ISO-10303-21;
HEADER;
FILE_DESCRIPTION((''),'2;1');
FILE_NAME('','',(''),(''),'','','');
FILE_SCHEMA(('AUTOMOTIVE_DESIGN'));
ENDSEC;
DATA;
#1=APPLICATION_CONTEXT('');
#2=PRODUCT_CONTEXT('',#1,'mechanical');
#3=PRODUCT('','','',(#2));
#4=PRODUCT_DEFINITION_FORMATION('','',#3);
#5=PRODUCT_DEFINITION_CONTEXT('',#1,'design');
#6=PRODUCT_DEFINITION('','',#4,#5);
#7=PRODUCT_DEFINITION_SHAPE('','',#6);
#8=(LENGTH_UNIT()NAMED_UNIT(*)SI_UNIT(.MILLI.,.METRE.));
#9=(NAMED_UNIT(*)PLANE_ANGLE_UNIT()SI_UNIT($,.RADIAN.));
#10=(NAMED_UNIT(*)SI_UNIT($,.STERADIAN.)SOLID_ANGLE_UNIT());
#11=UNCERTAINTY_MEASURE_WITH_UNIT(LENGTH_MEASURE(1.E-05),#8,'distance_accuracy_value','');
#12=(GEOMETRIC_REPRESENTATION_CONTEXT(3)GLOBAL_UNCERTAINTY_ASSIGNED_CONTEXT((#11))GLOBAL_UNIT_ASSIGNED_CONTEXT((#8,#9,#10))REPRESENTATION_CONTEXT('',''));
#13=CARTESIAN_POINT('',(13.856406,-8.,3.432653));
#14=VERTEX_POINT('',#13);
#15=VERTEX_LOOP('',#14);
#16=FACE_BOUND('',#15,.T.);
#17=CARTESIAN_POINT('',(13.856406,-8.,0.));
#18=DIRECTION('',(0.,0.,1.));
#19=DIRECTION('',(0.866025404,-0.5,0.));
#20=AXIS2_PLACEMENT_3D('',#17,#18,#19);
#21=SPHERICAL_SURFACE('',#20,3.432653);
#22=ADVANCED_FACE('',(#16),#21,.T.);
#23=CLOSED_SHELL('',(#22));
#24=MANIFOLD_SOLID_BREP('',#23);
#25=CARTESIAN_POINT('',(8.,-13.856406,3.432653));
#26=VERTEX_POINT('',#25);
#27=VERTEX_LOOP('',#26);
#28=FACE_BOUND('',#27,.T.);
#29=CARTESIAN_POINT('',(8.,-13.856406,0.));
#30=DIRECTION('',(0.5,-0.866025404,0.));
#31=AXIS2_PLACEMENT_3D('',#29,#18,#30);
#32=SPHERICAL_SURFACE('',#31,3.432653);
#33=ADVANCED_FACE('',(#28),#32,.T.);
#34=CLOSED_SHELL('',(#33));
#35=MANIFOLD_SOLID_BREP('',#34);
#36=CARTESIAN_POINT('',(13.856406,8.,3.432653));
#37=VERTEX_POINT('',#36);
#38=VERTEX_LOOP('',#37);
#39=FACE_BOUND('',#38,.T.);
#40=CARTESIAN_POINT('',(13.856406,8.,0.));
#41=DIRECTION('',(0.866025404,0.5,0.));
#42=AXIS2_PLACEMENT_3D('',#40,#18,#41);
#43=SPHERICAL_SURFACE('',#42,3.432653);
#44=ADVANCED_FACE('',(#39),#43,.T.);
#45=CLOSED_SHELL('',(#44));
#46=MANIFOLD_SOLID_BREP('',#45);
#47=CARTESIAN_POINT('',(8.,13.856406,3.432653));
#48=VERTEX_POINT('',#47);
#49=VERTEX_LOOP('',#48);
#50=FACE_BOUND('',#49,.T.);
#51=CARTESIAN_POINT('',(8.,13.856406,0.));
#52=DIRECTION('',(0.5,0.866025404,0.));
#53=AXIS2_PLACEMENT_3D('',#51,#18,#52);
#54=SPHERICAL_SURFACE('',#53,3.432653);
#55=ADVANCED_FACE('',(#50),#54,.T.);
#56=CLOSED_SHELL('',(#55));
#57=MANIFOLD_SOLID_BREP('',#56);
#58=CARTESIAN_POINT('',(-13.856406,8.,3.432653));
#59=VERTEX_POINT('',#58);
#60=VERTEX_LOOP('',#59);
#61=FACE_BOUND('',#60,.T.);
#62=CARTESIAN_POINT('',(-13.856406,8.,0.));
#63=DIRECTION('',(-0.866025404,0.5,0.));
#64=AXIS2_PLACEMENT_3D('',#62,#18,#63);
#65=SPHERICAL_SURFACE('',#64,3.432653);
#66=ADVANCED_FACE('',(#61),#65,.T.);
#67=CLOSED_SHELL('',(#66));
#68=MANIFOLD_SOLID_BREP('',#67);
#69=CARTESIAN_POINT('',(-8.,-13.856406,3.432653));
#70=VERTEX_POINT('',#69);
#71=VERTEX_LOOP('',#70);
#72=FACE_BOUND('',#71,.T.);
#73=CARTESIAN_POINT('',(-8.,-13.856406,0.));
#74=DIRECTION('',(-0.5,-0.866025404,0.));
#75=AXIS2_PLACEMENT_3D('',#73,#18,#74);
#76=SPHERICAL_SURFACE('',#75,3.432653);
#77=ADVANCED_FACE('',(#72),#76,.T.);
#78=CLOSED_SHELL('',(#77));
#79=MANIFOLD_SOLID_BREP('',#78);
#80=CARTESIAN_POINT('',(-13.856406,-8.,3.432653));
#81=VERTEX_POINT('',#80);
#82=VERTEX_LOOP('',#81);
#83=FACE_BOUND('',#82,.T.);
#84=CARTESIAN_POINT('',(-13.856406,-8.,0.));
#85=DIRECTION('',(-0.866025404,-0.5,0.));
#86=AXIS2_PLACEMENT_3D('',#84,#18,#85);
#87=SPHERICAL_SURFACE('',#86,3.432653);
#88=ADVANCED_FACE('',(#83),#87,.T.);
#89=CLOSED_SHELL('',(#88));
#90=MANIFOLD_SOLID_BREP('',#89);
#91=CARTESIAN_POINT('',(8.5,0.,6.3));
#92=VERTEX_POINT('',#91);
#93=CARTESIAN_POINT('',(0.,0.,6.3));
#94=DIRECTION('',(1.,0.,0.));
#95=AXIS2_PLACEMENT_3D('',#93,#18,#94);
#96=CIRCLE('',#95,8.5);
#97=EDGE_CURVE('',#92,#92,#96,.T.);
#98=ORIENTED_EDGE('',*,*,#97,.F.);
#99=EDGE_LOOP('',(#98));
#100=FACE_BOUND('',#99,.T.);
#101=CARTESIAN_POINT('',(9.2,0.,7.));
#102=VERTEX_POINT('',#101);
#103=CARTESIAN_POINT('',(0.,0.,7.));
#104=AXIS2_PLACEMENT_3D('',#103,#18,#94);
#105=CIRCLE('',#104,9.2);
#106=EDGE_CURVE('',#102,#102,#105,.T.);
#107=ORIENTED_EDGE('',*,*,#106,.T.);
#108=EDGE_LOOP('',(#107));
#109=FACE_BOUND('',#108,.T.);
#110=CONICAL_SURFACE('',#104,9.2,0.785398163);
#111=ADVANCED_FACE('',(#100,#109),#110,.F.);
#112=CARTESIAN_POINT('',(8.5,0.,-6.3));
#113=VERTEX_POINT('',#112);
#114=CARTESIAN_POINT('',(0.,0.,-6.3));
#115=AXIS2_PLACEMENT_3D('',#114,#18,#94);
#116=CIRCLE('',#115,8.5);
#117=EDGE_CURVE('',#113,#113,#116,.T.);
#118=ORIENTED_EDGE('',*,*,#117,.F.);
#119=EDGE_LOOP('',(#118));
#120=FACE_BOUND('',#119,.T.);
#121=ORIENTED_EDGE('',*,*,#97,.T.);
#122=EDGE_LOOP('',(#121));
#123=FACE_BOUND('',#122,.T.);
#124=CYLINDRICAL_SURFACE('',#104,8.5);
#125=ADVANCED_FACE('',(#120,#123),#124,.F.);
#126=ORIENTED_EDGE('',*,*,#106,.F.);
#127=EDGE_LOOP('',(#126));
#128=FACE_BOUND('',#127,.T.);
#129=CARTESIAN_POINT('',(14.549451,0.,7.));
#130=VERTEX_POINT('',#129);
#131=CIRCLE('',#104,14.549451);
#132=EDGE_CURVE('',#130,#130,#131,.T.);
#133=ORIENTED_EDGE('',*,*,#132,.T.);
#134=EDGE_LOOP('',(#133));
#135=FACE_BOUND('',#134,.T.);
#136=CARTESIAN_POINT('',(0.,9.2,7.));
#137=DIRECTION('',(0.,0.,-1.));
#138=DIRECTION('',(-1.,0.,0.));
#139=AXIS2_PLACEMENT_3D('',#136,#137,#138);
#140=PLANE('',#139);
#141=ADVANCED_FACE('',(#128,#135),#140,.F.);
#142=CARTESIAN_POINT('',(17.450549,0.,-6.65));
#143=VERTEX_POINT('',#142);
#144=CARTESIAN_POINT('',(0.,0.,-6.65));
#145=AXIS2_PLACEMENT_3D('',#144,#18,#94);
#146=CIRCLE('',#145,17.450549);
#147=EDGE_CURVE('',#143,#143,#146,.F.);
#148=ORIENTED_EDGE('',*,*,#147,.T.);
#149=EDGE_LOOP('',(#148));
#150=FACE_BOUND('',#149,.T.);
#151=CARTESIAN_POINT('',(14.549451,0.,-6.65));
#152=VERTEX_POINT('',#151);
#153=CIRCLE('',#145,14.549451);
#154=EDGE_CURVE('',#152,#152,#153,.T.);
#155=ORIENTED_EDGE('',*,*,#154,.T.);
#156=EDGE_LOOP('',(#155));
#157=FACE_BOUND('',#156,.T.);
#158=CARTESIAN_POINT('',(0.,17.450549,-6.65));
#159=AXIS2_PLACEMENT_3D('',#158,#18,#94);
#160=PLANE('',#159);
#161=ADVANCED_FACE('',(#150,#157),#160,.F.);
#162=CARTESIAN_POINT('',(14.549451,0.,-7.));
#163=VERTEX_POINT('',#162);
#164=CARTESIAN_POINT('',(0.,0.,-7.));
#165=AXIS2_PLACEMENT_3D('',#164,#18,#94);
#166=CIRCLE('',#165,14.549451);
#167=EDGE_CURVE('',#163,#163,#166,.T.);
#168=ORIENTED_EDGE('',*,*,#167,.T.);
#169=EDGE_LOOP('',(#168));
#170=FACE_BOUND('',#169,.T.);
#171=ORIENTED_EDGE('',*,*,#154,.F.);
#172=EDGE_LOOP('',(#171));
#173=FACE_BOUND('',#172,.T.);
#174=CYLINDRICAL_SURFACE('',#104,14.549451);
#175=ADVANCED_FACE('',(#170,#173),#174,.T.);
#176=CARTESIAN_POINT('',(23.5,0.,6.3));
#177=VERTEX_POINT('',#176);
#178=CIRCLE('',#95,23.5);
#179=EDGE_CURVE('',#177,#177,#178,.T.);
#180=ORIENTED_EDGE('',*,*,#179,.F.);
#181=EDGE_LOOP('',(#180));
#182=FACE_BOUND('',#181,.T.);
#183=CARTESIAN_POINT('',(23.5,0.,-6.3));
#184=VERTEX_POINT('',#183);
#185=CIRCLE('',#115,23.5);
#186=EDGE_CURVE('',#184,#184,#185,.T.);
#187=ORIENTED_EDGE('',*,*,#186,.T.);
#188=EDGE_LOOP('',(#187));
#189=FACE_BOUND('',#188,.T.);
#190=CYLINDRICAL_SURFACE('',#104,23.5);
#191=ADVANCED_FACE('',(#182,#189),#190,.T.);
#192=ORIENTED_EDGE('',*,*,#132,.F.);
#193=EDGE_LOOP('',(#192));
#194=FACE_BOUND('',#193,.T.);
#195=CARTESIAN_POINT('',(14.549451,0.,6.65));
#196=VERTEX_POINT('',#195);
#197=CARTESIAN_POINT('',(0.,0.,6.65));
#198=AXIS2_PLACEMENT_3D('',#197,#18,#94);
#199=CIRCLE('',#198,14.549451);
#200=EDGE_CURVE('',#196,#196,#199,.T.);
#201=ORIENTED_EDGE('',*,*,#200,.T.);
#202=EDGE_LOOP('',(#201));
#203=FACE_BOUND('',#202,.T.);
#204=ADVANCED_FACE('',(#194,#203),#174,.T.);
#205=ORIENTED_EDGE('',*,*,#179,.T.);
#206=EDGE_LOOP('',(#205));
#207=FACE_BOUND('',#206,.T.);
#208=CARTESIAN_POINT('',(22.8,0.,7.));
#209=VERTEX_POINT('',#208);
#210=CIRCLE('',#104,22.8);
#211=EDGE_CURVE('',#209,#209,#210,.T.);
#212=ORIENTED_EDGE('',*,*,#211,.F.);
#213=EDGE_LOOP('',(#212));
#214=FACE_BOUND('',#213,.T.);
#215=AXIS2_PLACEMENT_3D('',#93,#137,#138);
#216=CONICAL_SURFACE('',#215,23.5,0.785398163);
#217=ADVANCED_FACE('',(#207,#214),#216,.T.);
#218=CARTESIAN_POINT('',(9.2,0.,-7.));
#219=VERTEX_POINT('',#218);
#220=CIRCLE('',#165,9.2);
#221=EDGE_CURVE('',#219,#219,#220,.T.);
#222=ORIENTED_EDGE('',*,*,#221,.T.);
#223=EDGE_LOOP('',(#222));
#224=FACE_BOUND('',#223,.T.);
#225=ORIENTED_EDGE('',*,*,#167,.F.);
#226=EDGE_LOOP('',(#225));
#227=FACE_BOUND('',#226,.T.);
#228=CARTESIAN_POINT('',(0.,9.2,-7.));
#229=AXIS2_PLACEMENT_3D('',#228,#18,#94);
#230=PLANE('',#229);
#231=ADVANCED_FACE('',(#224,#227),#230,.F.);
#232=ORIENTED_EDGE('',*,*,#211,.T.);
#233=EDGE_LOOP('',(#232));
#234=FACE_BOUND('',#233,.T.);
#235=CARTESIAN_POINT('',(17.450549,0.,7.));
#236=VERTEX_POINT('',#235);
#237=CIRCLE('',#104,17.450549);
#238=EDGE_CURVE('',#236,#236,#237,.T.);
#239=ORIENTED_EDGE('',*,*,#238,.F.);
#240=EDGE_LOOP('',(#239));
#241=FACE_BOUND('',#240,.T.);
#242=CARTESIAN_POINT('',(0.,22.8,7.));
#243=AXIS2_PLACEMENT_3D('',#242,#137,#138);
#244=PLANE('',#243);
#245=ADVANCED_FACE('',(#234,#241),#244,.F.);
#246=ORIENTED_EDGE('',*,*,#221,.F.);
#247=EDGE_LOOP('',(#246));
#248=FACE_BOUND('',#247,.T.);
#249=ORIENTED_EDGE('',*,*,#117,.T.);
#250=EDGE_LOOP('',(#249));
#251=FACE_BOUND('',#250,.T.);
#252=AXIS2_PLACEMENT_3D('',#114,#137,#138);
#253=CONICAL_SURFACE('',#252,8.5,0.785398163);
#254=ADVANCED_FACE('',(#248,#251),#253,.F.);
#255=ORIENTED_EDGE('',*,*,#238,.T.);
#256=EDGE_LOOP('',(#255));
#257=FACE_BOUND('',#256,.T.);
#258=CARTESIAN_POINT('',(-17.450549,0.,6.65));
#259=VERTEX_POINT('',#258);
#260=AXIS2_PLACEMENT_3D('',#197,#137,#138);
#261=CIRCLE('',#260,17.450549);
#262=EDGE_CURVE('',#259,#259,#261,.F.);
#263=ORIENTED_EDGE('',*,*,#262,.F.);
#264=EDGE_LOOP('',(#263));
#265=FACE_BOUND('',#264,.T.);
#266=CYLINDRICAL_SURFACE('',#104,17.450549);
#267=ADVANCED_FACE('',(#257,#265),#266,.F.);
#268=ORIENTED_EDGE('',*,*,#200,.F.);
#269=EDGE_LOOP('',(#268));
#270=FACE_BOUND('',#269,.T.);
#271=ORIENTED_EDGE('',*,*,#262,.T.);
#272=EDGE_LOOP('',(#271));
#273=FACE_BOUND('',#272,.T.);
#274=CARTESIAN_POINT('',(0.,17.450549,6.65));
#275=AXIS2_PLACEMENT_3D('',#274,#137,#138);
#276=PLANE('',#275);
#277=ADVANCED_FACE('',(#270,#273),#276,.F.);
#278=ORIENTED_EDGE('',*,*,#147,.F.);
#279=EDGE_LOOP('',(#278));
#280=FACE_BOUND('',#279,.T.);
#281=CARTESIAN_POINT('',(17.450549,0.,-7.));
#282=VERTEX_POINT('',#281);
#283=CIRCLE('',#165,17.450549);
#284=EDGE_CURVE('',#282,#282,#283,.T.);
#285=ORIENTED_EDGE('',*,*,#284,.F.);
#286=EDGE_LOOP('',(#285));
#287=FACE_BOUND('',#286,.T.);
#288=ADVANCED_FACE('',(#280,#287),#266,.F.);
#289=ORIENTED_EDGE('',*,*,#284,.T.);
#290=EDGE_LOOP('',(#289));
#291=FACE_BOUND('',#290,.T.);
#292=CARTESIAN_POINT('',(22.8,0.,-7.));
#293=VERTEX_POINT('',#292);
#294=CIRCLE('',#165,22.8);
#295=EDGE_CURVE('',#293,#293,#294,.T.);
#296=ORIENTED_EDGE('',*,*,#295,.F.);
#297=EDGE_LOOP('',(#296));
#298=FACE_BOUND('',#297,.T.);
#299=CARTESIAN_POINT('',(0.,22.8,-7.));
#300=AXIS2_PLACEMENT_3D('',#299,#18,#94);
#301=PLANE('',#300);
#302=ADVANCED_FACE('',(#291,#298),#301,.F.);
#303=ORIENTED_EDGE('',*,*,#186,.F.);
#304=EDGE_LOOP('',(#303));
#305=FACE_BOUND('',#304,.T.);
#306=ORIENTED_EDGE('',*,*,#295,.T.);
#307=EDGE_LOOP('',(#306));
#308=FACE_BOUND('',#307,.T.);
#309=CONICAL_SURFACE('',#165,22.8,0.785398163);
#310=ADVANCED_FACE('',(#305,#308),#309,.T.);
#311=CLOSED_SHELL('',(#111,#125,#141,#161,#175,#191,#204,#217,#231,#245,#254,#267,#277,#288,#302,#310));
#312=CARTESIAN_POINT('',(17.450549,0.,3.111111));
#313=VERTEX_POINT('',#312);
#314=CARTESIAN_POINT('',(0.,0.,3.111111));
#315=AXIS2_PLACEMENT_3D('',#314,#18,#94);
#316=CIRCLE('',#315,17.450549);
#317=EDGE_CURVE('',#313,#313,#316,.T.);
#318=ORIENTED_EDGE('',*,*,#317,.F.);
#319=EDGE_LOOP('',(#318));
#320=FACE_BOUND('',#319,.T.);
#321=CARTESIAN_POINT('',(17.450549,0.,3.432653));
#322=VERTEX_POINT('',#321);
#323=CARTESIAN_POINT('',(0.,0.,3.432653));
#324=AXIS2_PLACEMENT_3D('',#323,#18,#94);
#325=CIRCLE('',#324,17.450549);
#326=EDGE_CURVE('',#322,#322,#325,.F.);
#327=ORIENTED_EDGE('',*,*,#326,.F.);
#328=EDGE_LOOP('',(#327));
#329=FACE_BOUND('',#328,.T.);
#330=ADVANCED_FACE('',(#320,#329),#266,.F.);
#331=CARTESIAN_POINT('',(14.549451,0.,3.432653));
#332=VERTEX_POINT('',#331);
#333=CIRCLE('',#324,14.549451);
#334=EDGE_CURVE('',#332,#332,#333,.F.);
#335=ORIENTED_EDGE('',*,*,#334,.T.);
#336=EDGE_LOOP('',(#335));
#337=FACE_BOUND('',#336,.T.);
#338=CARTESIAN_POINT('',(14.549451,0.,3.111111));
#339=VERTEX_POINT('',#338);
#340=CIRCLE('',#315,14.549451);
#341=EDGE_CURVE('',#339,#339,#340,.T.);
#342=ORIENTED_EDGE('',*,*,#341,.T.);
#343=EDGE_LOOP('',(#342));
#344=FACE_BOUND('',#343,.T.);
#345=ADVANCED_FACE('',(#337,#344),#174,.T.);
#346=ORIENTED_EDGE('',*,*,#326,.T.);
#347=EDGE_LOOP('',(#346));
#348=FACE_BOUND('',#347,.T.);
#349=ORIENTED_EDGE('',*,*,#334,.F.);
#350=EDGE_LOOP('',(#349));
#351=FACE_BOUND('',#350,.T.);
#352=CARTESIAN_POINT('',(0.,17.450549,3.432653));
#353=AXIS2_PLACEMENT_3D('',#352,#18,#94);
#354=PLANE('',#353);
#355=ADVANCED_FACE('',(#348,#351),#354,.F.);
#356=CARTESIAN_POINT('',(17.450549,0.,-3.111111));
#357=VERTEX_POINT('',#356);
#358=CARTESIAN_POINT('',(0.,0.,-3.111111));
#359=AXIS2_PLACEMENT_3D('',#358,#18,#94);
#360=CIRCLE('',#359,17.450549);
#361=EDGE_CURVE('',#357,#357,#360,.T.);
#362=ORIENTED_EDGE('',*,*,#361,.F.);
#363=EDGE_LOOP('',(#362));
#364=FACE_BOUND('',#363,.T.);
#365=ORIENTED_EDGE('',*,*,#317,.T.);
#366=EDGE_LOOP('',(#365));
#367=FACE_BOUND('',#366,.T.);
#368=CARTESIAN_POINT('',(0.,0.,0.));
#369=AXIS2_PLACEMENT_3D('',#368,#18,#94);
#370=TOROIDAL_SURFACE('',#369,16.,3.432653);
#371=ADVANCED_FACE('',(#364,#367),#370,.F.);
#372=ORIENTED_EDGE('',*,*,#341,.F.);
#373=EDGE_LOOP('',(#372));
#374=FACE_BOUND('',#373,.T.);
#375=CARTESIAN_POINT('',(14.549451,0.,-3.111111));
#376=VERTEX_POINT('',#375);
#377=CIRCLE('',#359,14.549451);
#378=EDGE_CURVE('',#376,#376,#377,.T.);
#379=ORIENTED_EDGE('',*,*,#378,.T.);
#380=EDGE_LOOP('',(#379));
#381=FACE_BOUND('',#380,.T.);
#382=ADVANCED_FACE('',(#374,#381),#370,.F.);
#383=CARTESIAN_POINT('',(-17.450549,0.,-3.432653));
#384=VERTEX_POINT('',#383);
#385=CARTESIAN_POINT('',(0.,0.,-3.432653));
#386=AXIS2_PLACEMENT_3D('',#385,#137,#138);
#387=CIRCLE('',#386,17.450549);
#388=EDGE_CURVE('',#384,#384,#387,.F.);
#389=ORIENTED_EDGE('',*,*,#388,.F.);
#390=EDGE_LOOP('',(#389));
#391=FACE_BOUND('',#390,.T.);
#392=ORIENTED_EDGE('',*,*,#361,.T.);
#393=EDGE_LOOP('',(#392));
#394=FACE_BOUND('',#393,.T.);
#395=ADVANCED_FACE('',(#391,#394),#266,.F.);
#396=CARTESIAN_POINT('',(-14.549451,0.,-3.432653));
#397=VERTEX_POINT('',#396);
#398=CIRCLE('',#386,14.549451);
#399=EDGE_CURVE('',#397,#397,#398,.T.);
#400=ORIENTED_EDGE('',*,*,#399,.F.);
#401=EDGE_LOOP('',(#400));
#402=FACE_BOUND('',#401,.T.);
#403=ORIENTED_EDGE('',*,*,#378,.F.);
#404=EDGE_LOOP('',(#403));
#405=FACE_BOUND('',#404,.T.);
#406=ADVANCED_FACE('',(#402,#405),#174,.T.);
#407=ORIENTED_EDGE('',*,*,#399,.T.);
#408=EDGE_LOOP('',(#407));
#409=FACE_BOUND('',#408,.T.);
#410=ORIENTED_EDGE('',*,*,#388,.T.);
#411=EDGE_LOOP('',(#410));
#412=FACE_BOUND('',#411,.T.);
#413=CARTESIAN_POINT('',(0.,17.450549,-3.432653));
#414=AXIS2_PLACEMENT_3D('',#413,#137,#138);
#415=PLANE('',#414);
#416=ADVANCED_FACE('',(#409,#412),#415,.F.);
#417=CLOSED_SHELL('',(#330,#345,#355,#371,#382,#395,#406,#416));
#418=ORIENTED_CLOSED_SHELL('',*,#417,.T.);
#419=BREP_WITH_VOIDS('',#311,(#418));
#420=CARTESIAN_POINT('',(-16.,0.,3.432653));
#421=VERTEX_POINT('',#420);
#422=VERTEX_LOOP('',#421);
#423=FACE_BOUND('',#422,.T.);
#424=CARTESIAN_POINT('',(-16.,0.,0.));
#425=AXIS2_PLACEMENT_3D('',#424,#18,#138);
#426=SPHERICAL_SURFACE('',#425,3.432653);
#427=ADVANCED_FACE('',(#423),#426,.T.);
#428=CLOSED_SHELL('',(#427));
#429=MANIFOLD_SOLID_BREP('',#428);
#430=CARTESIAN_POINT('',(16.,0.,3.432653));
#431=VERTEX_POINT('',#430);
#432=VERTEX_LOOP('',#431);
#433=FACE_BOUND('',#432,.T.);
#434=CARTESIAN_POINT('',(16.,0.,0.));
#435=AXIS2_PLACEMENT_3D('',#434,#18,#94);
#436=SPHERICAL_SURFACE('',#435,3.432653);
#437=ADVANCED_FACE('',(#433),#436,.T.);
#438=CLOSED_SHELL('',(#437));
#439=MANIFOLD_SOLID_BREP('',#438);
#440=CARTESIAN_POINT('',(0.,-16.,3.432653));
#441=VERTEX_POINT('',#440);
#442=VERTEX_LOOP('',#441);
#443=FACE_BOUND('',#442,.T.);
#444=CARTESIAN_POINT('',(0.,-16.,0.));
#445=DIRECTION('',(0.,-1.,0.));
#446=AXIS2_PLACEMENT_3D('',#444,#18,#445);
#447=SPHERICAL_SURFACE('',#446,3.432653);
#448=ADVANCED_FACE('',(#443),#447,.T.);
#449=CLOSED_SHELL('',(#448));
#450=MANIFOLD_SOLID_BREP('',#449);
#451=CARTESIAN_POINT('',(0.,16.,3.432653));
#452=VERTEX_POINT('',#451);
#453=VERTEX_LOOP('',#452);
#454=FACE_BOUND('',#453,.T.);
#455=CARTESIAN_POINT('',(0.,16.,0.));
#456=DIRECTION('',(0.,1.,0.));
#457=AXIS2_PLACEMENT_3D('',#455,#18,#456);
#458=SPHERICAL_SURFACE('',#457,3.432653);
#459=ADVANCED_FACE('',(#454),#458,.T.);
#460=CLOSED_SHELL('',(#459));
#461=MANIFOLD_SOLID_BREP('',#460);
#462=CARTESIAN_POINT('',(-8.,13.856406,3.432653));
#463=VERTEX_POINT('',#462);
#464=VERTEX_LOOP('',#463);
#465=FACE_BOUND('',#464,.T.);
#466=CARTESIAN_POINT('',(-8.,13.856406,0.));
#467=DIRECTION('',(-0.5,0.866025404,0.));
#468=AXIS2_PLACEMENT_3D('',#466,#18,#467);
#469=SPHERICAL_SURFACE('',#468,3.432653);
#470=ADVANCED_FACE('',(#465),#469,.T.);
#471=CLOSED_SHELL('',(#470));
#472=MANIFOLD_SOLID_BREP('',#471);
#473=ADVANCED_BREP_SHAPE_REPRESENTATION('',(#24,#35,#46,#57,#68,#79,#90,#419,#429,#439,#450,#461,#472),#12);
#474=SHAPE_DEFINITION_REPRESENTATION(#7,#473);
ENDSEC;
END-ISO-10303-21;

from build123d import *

# Parameters (mm, degrees)
CIRPATTERN1_COUNT = 12
SKETCH5_W         = 3.217347082
SKETCH5_H         = 2.901098902


with BuildPart() as part:
    # Sketch6 → Revolve1 (revolve)
    with BuildSketch(Plane(origin=(0, 0, 0), x_dir=(0, 0, -1), z_dir=(1, 0, 0))):
        with BuildLine():
            Line((-7, 22.8), (-7, 17.450549451))
            Line((-7, 17.450549451), (-3.111111111, 17.450549451))
            ThreePointArc((-3.111111111, 17.450549451), (0, 19.432652918), (3.111111111, 17.450549451))
            Line((3.111111111, 17.450549451), (7, 17.450549451))
            Line((7, 17.450549451), (7, 22.8))
            Line((7, 22.8), (6.3, 23.5))
            Line((6.3, 23.5), (-6.3, 23.5))
            Line((-6.3, 23.5), (-7, 22.8))
        make_face()
        with BuildLine():
            Line((-7, 9.2), (-7, 14.549450549))
            Line((-7, 14.549450549), (-3.111111111, 14.549450549))
            ThreePointArc((-3.111111111, 14.549450549), (0, 12.567347082), (3.111111111, 14.549450549))
            Line((3.111111111, 14.549450549), (7, 14.549450549))
            Line((7, 14.549450549), (7, 9.2))
            Line((7, 9.2), (6.3, 8.5))
            Line((6.3, 8.5), (-6.3, 8.5))
            Line((-6.3, 8.5), (-7, 9.2))
        make_face()
    revolve(axis=Axis((0, 0, 7), (0, 0, -1)))


with BuildPart() as body_2:
    # Sketch4 → Revolve2 (revolve)
    with BuildSketch(Plane(origin=(0, 0, 0), x_dir=(0, 0, -1), z_dir=(1, 0, 0))):
        with BuildLine():
            Line((-3.432652918, 16), (3.432652918, 16))
            ThreePointArc((3.432652918, 16), (0, 19.432652918), (-3.432652918, 16))
        make_face()
    revolve(axis=Axis((0, 16, 3.432652918), (0, 0, -1)))


with BuildPart() as cirpattern1_1:
    # CirPattern1: pattern copy
    add(body_2.part.rotate(Axis((0, 0, -7), (0, 0, 1)), 1 * 360 / CIRPATTERN1_COUNT))


with BuildPart() as cirpattern1_2:
    # CirPattern1: pattern copy
    add(body_2.part.rotate(Axis((0, 0, -7), (0, 0, 1)), 2 * 360 / CIRPATTERN1_COUNT))


with BuildPart() as cirpattern1_3:
    # CirPattern1: pattern copy
    add(body_2.part.rotate(Axis((0, 0, -7), (0, 0, 1)), 3 * 360 / CIRPATTERN1_COUNT))


with BuildPart() as cirpattern1_4:
    # CirPattern1: pattern copy
    add(body_2.part.rotate(Axis((0, 0, -7), (0, 0, 1)), 4 * 360 / CIRPATTERN1_COUNT))


with BuildPart() as cirpattern1_5:
    # CirPattern1: pattern copy
    add(body_2.part.rotate(Axis((0, 0, -7), (0, 0, 1)), 5 * 360 / CIRPATTERN1_COUNT))


with BuildPart() as cirpattern1_6:
    # CirPattern1: pattern copy
    add(body_2.part.rotate(Axis((0, 0, -7), (0, 0, 1)), 6 * 360 / CIRPATTERN1_COUNT))


with BuildPart() as cirpattern1_7:
    # CirPattern1: pattern copy
    add(body_2.part.rotate(Axis((0, 0, -7), (0, 0, 1)), 7 * 360 / CIRPATTERN1_COUNT))


with BuildPart() as cirpattern1_8:
    # CirPattern1: pattern copy
    add(body_2.part.rotate(Axis((0, 0, -7), (0, 0, 1)), 8 * 360 / CIRPATTERN1_COUNT))


with BuildPart() as cirpattern1_9:
    # CirPattern1: pattern copy
    add(body_2.part.rotate(Axis((0, 0, -7), (0, 0, 1)), 9 * 360 / CIRPATTERN1_COUNT))


with BuildPart() as cirpattern1_10:
    # CirPattern1: pattern copy
    add(body_2.part.rotate(Axis((0, 0, -7), (0, 0, 1)), 10 * 360 / CIRPATTERN1_COUNT))


with BuildPart() as cirpattern1_11:
    # CirPattern1: pattern copy
    add(body_2.part.rotate(Axis((0, 0, -7), (0, 0, 1)), 11 * 360 / CIRPATTERN1_COUNT))


with BuildPart() as revolve3_tool:
    # Sketch5 → Revolve3 (revolve)
    with BuildSketch(Plane(origin=(0, 0, 0), x_dir=(0, 0, -1), z_dir=(1, 0, 0))):
        with Locations((-5.041326459, 16)):
            Rectangle(SKETCH5_W, SKETCH5_H)
        with Locations((5.041326459, 16)):
            Rectangle(SKETCH5_W, SKETCH5_H)
    revolve(axis=Axis((0, 0, 7), (0, 0, -1)))


with BuildPart() as part_1:
    add(part.part)


with BuildPart() as part_2:
    # Revolve3: joined with revolve3_tool
    add(part_1.part.fuse(revolve3_tool.part, body_2.part, cirpattern1_1.part, cirpattern1_2.part, cirpattern1_3.part, cirpattern1_4.part, cirpattern1_5.part, cirpattern1_6.part, cirpattern1_7.part, cirpattern1_8.part, cirpattern1_9.part, cirpattern1_10.part, cirpattern1_11.part, tol=0.00001))


solid = part_2.part
